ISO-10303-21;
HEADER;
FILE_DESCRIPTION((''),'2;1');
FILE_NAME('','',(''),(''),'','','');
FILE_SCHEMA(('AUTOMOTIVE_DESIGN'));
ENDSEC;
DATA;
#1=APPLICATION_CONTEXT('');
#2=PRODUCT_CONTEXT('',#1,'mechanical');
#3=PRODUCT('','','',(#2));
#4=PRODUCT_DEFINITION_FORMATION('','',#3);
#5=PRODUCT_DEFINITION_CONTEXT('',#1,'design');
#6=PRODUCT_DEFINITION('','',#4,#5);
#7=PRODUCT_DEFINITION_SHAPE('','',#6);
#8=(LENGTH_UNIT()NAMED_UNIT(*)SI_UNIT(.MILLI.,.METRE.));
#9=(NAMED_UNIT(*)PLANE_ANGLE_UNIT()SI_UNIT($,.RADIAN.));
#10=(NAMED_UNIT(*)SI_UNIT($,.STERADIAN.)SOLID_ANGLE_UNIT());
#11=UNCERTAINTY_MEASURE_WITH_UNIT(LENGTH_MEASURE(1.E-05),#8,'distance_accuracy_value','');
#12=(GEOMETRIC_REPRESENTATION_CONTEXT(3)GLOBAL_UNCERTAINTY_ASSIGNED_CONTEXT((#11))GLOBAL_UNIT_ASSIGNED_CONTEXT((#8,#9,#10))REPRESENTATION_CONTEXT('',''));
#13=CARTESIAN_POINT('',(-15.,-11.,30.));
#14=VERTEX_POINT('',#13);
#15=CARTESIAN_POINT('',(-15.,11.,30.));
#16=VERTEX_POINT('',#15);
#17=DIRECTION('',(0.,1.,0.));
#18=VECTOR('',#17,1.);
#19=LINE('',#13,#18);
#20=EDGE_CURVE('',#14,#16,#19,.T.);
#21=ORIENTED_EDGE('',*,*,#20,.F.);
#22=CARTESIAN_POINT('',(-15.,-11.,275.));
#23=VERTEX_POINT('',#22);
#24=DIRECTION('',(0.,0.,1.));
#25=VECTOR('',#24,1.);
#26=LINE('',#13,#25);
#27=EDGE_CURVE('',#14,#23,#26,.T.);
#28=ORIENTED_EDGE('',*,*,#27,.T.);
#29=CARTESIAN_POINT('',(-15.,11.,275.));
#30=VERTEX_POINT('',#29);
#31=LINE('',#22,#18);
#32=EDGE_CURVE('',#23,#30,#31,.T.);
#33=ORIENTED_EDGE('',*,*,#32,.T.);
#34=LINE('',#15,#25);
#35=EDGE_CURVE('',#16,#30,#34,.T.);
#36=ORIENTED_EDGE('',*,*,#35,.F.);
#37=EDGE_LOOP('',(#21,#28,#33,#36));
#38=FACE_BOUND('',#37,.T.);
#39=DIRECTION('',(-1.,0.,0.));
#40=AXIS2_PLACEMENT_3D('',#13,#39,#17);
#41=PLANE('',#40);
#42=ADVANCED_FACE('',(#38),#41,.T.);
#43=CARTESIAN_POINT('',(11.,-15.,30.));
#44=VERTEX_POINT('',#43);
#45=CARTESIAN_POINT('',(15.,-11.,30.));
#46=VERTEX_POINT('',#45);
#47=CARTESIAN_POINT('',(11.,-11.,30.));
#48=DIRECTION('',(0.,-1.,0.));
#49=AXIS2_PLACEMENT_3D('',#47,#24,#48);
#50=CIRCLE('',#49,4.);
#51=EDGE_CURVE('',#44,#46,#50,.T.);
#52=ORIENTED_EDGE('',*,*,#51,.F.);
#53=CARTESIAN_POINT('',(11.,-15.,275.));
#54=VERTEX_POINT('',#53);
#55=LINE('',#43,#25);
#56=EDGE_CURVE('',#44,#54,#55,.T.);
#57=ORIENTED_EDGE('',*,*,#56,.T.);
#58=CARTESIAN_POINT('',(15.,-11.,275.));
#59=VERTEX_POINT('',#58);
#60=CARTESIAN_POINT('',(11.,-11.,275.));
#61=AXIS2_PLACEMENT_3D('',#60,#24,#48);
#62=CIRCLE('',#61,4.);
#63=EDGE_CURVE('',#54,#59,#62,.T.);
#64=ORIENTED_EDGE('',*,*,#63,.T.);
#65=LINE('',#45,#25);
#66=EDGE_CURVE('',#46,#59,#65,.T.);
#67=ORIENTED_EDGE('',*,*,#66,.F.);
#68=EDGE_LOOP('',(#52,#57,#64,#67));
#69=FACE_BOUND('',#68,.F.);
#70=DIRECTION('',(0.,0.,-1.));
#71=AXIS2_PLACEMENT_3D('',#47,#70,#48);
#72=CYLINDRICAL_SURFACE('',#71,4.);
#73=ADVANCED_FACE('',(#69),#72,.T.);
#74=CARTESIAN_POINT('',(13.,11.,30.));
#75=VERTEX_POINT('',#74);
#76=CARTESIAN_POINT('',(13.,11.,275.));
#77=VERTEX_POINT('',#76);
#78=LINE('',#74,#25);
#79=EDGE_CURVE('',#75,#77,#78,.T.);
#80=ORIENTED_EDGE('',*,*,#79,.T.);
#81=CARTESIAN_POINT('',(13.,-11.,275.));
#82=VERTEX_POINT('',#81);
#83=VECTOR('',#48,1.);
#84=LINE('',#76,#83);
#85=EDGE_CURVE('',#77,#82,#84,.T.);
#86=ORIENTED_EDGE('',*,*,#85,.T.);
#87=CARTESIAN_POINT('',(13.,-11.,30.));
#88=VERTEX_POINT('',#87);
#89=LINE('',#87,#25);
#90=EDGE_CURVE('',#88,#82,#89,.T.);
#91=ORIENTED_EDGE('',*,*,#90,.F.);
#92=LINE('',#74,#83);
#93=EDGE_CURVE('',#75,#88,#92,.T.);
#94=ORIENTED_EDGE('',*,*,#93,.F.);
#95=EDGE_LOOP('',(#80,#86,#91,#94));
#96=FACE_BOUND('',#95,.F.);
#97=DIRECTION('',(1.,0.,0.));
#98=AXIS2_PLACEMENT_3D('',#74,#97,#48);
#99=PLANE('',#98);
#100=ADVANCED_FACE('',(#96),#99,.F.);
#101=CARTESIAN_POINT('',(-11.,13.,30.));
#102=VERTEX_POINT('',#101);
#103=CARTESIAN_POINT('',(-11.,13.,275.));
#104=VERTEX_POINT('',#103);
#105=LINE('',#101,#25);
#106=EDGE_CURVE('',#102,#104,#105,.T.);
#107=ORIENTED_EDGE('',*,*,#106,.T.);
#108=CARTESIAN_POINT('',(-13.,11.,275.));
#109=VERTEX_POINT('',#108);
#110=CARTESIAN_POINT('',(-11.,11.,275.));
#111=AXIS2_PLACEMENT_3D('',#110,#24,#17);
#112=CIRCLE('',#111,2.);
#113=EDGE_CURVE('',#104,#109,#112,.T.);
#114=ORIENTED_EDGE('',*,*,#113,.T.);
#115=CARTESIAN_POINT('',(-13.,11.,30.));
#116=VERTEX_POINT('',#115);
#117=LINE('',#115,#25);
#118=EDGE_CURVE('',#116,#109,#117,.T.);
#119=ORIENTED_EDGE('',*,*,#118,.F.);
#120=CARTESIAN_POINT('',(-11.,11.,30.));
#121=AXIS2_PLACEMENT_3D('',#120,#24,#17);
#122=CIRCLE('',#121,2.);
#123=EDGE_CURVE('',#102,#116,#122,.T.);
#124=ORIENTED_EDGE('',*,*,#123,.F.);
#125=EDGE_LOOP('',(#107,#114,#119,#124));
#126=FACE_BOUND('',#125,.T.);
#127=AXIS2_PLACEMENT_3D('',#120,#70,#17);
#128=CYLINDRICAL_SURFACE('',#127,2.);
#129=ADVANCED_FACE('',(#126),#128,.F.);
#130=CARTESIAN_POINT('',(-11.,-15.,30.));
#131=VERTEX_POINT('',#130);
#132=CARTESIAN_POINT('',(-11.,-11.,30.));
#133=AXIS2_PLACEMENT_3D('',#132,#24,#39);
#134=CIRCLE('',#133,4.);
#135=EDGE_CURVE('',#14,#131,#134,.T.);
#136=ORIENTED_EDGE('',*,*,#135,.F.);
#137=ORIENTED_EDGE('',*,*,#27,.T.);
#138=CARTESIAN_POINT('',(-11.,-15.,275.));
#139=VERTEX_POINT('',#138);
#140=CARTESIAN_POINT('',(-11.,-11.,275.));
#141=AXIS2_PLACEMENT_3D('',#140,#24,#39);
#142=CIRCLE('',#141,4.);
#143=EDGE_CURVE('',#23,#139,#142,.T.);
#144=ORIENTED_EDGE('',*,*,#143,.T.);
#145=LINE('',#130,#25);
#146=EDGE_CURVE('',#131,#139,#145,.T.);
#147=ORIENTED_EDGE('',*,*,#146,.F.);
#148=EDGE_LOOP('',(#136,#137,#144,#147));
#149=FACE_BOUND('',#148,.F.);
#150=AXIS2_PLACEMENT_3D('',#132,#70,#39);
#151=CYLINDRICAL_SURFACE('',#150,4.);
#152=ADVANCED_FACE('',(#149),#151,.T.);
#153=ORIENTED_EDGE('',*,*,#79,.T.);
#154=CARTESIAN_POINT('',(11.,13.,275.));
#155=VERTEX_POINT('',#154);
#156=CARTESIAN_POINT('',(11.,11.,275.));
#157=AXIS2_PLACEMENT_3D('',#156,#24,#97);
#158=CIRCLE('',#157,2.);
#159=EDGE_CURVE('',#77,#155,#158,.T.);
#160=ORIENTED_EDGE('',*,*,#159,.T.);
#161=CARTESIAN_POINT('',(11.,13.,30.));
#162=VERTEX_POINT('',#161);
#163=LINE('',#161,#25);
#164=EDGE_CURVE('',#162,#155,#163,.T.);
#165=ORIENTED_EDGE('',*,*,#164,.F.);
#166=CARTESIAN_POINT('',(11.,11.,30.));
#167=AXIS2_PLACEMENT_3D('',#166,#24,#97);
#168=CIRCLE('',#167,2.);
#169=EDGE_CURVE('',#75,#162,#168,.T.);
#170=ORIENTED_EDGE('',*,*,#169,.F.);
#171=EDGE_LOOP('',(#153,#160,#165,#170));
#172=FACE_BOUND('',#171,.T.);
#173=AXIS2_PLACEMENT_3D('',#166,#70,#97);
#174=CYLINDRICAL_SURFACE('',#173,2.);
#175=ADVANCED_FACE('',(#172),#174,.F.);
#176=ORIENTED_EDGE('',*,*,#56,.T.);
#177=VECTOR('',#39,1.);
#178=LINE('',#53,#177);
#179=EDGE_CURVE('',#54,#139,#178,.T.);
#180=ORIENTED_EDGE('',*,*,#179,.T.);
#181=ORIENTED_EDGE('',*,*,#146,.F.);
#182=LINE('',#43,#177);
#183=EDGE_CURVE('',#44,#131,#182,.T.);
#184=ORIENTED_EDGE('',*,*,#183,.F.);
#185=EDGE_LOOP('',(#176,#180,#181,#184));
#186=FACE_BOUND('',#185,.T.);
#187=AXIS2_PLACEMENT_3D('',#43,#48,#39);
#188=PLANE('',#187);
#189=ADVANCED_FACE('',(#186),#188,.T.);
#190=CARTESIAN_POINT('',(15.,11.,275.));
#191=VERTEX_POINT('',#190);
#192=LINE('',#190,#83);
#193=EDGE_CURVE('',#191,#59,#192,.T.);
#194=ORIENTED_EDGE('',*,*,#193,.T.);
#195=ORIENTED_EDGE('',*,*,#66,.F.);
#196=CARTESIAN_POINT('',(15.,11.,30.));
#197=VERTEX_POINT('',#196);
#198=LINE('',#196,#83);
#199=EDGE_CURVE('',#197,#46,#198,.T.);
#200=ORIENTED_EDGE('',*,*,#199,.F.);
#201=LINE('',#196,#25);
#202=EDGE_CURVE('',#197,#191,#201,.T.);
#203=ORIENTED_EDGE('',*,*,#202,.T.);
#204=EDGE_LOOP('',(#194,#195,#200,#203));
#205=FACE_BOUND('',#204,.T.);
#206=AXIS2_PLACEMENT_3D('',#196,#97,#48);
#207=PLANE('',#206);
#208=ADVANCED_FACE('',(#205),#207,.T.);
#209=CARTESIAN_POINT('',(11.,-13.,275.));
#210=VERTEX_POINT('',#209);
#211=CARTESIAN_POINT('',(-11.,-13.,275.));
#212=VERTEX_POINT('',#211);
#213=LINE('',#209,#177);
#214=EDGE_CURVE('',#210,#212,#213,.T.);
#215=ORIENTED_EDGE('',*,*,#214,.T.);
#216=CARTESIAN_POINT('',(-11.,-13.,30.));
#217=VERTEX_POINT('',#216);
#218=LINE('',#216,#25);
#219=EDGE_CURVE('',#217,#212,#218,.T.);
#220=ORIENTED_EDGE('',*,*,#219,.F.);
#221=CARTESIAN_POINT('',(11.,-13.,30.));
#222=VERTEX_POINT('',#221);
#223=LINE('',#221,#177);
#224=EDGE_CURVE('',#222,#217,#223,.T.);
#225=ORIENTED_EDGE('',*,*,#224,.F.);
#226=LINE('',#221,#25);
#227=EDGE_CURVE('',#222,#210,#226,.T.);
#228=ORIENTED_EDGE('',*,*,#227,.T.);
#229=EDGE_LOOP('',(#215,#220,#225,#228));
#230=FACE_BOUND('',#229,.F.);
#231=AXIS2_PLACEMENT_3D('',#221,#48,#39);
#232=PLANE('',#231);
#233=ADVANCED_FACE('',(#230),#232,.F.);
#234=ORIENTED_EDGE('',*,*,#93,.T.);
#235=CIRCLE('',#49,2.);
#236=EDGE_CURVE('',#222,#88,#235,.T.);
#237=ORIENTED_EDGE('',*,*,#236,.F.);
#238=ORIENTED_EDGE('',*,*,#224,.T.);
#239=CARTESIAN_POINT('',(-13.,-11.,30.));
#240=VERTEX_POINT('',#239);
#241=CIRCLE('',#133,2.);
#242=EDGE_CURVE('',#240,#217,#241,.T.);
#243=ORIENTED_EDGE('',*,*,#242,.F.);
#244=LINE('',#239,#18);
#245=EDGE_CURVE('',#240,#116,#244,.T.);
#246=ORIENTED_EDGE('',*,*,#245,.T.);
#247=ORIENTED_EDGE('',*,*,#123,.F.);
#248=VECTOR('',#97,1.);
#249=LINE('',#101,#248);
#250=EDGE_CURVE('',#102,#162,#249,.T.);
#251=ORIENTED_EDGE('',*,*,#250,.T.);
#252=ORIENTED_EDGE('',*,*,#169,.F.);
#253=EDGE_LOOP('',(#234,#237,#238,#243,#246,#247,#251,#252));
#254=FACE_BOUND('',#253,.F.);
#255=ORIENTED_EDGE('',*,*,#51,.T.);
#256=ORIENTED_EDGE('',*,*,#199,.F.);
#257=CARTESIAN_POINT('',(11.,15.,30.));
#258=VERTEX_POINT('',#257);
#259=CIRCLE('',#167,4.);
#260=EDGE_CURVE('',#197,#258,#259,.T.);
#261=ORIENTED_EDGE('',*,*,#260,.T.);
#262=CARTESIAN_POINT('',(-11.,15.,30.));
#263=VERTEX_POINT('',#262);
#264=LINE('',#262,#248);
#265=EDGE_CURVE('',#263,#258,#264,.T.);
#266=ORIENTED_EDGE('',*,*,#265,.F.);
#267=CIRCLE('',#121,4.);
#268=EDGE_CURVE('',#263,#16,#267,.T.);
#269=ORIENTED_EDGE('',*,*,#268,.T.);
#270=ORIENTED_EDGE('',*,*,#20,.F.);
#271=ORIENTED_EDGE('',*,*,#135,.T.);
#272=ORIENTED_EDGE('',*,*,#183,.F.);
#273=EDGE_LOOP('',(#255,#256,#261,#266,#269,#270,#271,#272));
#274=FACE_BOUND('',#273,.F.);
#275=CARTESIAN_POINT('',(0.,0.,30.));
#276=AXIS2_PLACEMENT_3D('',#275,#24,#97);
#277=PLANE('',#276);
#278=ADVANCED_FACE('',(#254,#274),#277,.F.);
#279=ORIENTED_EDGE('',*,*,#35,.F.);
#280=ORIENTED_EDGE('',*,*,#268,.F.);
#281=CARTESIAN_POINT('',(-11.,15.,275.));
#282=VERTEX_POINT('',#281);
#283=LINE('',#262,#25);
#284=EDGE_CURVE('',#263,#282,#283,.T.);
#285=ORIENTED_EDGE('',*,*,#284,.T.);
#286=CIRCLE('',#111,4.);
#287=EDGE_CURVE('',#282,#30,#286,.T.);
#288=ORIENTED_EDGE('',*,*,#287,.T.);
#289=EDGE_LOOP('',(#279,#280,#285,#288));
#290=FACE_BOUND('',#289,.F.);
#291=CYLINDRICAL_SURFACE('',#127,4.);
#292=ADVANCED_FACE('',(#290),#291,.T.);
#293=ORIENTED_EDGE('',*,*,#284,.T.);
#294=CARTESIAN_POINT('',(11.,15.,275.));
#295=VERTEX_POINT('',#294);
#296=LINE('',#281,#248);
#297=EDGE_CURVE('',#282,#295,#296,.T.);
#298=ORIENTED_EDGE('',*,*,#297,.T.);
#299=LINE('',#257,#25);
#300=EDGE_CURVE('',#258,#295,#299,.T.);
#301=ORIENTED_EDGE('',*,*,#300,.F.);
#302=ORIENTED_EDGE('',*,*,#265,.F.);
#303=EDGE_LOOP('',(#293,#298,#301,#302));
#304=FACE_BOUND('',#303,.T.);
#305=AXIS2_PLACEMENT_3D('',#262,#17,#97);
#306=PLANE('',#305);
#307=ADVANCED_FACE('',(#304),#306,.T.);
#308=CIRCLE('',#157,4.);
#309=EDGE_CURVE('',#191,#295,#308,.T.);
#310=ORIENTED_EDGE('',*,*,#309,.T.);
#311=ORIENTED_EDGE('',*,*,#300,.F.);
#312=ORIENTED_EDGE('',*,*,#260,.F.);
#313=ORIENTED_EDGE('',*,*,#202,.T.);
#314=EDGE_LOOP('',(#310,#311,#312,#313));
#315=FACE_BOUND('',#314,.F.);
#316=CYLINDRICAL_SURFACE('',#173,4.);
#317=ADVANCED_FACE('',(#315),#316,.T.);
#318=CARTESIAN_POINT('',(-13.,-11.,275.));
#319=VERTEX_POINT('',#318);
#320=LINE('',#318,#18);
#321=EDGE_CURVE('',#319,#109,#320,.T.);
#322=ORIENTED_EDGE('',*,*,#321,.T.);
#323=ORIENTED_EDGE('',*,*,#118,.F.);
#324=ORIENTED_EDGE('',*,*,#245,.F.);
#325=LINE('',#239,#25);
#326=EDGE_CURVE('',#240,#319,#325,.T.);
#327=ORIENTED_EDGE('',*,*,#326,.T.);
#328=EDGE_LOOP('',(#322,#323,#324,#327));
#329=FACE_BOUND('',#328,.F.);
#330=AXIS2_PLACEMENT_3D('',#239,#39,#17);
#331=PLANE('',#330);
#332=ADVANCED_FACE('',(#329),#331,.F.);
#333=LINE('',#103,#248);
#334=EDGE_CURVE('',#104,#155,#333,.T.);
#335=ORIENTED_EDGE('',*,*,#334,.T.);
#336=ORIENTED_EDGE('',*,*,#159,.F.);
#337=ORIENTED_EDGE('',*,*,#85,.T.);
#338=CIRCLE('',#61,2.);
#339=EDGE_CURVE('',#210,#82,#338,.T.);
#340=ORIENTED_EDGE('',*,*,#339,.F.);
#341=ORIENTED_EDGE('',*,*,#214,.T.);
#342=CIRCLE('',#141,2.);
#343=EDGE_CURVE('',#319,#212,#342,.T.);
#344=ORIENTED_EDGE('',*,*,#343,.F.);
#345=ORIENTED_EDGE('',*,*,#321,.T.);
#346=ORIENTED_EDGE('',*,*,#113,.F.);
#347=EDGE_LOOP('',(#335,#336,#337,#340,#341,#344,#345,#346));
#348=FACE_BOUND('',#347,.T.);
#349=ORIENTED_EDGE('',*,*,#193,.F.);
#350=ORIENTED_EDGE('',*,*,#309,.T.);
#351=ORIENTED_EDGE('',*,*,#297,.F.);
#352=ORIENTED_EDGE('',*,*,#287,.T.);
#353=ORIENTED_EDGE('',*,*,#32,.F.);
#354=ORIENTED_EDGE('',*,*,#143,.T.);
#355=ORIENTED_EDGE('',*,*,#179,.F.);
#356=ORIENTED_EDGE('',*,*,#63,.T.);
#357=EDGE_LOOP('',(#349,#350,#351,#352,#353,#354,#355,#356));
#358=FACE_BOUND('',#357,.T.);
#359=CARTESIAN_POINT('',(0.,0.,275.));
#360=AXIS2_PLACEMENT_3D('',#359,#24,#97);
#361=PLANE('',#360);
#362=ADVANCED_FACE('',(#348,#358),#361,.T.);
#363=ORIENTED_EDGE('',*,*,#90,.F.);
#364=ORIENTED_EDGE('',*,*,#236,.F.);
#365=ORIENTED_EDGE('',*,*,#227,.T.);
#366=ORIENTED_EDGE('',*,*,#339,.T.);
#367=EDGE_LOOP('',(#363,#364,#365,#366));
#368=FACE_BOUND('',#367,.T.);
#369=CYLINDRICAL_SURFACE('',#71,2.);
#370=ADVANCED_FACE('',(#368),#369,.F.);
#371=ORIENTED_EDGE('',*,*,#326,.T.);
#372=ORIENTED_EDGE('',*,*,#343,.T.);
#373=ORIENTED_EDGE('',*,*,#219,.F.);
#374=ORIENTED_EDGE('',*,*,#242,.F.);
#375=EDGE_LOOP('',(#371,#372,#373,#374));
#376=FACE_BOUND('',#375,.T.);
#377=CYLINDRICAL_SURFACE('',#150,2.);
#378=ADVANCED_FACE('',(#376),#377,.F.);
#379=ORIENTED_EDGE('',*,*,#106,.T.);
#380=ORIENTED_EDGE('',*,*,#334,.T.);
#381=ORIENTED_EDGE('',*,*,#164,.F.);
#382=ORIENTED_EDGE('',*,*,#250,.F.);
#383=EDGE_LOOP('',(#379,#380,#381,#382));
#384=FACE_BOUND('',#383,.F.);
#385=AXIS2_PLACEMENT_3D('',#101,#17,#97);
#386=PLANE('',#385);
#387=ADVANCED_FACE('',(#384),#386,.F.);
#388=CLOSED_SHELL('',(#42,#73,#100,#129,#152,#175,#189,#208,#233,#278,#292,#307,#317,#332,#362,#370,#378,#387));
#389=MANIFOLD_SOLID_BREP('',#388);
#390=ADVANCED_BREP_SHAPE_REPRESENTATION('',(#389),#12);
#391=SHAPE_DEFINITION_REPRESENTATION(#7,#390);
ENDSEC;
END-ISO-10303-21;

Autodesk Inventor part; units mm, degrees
ref_plane "Plano inicial" through (0, 0, 30) normal (0, 0, 1) x (1, 0, 0)
ref_plane "Plano final" through (0, 0, 275) normal (0, 0, 1) x (1, 0, 0)
sketch "Esboço" plane through (0, 0, 0) normal (0, 0, 1) x (1, 0, 0)
  line L0 (-15, -11) -> (-15, 11)
  line L1 (-11, 15) -> (11, 15)
  line L2 (15, 11) -> (15, -11)
  line L3 (11, -15) -> (-11, -15)
  arc A0 (-15, -11) -> (-11, -15) centre (-11, -11) ccw
  arc A1 (15, 11) -> (11, 15) centre (11, 11) ccw
  arc A2 (-11, 15) -> (-15, 11) centre (-11, 11) ccw
  arc A3 (11, -15) -> (15, -11) centre (11, -11) ccw
  arc A4 (-11, 13) -> (-13, 11) centre (-11, 11) ccw
  line L4 (-11, 13) -> (11, 13)
  arc A5 (13, 11) -> (11, 13) centre (11, 11) ccw
  line L5 (13, 11) -> (13, -11)
  arc A6 (11, -13) -> (13, -11) centre (11, -11) ccw
  line L6 (11, -13) -> (-11, -13)
  arc A7 (-13, -11) -> (-11, -13) centre (-11, -11) ccw
  line L7 (-13, -11) -> (-13, 11)
  line L8 (0, 22.1598) -> (0, -22.1598) construction
  line L9 (-22.1598, 0) -> (22.1598, 0) construction
  dimension "d7" = 4
  dimension "d9" = 30
  dimension "d11" = 30
  dimension "d12" = 2
  dimension "d15" = 15
  dimension "d16" = 15
extrude "Corpo" add sketch "Esboço" along normal up to surface (245 mm away) from surface at 30
sketch "Sketch3" plane through (0, 0, 0) normal (0, 0, 1) x (1, 0, 0)
  line L0 (0, 0) -> (10, 0)
ref_plane "Work Plane3" through (0, 0, 0) normal (0, -1, 0) x (1, 0, 0)
sketch "Sketch4" plane through (0, 0, 0) normal (0, -1, 0) x (1, 0, 0)
  line L0 (-2, 30) -> (12, 30)
  line L1 (-2, 275) -> (12, 275)
  dimension "d18" = 245
ref_plane "Plano de trabalho4" through (11, -332, 30) normal (0, 0, -1) x (-1, 0, 0)
split "Dividir1" plane through (11, -332, 30) removes the side toward (0, 0, -1)
ref_plane "Plano de trabalho5" through (11, 218, 275) normal (0, 0, 1) x (1, 0, 0)
split "Dividir2" plane through (11, 218, 275) removes the side toward (0, 0, 1)
equation "\"d7\" = G_IR"
equation "\"d9\" = G_W"
equation "\"d11\" = G_H"
equation "\"d12\" = G_T"
equation "\"d15\" = 0.5 * d9"
equation "\"d16\" = 0.5 * d11"
equation "\"d3\" = G_L"
equation "\"G_W\" = 30"
equation "\"G_H\" = 30"
equation "\"G_T\" = 2"
equation "\"G_IR\" = 4"
equation "\"G_L\" = d18"
equation "\"G_OFFSET_END\" = 0"
equation "\"d14\" = G_OFFSET_END + B_L"
equation "\"B_L\" = 275"
properties part number "ISO 10799-2 - 30x30x2 - 245" material "Aço, suave"
